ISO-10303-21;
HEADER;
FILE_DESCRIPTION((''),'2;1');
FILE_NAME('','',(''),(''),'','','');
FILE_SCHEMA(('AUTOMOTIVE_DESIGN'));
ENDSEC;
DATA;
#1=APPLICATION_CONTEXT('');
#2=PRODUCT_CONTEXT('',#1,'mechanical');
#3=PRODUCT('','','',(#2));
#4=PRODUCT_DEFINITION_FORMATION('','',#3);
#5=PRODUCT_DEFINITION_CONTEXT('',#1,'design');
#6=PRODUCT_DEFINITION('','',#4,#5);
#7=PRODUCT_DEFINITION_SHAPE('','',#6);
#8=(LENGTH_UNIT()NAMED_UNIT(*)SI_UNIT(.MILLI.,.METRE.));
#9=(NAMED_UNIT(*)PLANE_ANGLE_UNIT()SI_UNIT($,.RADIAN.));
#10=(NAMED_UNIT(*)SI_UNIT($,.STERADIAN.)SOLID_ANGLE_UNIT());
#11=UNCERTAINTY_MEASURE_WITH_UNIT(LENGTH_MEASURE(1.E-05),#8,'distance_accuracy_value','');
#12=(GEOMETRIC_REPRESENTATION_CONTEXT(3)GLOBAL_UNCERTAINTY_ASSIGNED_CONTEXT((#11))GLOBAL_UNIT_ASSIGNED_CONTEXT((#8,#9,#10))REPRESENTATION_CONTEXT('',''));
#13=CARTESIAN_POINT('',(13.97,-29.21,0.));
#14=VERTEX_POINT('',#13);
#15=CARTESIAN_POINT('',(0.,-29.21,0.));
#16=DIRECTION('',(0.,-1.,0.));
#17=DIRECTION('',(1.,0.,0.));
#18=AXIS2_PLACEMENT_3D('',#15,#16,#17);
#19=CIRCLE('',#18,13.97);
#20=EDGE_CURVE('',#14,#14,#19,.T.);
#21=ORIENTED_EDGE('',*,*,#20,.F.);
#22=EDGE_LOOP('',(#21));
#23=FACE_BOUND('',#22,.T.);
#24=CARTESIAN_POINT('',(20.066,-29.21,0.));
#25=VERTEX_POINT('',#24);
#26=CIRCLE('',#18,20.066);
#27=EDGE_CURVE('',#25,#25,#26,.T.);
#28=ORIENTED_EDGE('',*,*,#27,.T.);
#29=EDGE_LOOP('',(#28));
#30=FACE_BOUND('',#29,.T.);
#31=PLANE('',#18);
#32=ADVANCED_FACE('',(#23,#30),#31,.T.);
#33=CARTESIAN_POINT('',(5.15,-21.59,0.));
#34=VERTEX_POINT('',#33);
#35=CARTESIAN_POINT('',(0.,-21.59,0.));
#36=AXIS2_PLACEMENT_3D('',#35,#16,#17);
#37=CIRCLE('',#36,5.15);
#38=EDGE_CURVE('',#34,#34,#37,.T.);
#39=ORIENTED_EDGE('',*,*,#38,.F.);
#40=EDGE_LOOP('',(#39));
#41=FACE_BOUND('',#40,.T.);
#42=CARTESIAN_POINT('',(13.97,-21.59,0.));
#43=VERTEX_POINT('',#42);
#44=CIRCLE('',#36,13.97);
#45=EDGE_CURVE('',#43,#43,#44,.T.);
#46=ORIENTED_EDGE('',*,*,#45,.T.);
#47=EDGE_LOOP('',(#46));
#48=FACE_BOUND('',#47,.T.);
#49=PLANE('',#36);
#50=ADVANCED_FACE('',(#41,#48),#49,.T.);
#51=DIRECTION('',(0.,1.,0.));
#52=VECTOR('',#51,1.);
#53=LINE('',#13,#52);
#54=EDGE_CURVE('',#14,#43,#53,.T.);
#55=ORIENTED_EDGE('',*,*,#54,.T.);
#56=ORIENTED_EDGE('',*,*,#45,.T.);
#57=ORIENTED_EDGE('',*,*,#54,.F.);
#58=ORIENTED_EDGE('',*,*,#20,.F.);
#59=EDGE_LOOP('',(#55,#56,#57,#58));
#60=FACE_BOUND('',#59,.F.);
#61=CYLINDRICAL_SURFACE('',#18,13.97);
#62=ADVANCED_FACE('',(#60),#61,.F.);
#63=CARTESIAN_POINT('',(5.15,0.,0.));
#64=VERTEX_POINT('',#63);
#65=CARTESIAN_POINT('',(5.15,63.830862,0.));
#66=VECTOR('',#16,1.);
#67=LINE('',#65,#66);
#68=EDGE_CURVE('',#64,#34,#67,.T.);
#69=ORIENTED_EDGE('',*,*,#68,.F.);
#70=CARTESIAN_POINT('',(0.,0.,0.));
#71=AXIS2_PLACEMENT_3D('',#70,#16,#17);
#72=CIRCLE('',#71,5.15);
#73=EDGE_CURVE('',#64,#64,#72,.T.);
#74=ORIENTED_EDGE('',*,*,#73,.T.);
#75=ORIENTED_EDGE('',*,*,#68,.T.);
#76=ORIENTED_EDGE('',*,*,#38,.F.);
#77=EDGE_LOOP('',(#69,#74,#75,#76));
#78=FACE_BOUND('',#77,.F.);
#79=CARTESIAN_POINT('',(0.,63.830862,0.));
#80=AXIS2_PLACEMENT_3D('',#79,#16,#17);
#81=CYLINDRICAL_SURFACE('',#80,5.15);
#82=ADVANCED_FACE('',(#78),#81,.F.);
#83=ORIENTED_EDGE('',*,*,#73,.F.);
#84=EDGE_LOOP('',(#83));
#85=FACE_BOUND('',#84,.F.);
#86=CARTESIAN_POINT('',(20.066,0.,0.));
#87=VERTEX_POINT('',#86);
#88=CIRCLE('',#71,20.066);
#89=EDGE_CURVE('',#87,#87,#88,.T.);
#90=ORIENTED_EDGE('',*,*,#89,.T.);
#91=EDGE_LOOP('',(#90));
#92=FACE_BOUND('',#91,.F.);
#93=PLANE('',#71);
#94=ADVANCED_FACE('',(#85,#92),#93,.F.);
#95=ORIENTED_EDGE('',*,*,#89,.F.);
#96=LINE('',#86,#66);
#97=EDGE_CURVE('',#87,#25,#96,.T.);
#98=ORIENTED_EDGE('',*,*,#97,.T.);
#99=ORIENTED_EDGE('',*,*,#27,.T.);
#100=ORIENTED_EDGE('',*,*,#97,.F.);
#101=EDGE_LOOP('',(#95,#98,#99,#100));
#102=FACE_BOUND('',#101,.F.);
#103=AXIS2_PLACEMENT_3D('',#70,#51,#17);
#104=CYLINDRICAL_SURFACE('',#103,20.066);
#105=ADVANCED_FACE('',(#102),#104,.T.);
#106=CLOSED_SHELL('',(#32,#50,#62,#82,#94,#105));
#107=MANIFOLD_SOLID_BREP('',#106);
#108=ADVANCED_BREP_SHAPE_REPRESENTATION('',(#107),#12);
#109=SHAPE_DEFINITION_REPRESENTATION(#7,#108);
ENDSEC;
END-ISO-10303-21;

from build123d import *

# Parameters (mm, degrees)
F0_R     = 20.066
F1_DEPTH = 29.21
F2_R     = 13.97
F3_DEPTH = 7.62
F5_D     = 10.3


with BuildPart() as f1:
    # F0 (on Front) → F1 (new body)
    with BuildSketch(Plane.XZ):
        Circle(F0_R)
    extrude(amount=F1_DEPTH)

    # F2 (on face) → F3 (cut)
    with BuildSketch(Plane.XZ.offset(29.21)):
        Circle(F2_R)
    extrude(amount=-F3_DEPTH, mode=Mode.SUBTRACT)

    # F5 (through all)
    with Locations(Plane(origin=(0, 0, 0), x_dir=(-1, 0, 0), z_dir=(0, 1, 0))):
        with Locations((0, 0)):
            Hole(F5_D / 2)


solid = f1.part
